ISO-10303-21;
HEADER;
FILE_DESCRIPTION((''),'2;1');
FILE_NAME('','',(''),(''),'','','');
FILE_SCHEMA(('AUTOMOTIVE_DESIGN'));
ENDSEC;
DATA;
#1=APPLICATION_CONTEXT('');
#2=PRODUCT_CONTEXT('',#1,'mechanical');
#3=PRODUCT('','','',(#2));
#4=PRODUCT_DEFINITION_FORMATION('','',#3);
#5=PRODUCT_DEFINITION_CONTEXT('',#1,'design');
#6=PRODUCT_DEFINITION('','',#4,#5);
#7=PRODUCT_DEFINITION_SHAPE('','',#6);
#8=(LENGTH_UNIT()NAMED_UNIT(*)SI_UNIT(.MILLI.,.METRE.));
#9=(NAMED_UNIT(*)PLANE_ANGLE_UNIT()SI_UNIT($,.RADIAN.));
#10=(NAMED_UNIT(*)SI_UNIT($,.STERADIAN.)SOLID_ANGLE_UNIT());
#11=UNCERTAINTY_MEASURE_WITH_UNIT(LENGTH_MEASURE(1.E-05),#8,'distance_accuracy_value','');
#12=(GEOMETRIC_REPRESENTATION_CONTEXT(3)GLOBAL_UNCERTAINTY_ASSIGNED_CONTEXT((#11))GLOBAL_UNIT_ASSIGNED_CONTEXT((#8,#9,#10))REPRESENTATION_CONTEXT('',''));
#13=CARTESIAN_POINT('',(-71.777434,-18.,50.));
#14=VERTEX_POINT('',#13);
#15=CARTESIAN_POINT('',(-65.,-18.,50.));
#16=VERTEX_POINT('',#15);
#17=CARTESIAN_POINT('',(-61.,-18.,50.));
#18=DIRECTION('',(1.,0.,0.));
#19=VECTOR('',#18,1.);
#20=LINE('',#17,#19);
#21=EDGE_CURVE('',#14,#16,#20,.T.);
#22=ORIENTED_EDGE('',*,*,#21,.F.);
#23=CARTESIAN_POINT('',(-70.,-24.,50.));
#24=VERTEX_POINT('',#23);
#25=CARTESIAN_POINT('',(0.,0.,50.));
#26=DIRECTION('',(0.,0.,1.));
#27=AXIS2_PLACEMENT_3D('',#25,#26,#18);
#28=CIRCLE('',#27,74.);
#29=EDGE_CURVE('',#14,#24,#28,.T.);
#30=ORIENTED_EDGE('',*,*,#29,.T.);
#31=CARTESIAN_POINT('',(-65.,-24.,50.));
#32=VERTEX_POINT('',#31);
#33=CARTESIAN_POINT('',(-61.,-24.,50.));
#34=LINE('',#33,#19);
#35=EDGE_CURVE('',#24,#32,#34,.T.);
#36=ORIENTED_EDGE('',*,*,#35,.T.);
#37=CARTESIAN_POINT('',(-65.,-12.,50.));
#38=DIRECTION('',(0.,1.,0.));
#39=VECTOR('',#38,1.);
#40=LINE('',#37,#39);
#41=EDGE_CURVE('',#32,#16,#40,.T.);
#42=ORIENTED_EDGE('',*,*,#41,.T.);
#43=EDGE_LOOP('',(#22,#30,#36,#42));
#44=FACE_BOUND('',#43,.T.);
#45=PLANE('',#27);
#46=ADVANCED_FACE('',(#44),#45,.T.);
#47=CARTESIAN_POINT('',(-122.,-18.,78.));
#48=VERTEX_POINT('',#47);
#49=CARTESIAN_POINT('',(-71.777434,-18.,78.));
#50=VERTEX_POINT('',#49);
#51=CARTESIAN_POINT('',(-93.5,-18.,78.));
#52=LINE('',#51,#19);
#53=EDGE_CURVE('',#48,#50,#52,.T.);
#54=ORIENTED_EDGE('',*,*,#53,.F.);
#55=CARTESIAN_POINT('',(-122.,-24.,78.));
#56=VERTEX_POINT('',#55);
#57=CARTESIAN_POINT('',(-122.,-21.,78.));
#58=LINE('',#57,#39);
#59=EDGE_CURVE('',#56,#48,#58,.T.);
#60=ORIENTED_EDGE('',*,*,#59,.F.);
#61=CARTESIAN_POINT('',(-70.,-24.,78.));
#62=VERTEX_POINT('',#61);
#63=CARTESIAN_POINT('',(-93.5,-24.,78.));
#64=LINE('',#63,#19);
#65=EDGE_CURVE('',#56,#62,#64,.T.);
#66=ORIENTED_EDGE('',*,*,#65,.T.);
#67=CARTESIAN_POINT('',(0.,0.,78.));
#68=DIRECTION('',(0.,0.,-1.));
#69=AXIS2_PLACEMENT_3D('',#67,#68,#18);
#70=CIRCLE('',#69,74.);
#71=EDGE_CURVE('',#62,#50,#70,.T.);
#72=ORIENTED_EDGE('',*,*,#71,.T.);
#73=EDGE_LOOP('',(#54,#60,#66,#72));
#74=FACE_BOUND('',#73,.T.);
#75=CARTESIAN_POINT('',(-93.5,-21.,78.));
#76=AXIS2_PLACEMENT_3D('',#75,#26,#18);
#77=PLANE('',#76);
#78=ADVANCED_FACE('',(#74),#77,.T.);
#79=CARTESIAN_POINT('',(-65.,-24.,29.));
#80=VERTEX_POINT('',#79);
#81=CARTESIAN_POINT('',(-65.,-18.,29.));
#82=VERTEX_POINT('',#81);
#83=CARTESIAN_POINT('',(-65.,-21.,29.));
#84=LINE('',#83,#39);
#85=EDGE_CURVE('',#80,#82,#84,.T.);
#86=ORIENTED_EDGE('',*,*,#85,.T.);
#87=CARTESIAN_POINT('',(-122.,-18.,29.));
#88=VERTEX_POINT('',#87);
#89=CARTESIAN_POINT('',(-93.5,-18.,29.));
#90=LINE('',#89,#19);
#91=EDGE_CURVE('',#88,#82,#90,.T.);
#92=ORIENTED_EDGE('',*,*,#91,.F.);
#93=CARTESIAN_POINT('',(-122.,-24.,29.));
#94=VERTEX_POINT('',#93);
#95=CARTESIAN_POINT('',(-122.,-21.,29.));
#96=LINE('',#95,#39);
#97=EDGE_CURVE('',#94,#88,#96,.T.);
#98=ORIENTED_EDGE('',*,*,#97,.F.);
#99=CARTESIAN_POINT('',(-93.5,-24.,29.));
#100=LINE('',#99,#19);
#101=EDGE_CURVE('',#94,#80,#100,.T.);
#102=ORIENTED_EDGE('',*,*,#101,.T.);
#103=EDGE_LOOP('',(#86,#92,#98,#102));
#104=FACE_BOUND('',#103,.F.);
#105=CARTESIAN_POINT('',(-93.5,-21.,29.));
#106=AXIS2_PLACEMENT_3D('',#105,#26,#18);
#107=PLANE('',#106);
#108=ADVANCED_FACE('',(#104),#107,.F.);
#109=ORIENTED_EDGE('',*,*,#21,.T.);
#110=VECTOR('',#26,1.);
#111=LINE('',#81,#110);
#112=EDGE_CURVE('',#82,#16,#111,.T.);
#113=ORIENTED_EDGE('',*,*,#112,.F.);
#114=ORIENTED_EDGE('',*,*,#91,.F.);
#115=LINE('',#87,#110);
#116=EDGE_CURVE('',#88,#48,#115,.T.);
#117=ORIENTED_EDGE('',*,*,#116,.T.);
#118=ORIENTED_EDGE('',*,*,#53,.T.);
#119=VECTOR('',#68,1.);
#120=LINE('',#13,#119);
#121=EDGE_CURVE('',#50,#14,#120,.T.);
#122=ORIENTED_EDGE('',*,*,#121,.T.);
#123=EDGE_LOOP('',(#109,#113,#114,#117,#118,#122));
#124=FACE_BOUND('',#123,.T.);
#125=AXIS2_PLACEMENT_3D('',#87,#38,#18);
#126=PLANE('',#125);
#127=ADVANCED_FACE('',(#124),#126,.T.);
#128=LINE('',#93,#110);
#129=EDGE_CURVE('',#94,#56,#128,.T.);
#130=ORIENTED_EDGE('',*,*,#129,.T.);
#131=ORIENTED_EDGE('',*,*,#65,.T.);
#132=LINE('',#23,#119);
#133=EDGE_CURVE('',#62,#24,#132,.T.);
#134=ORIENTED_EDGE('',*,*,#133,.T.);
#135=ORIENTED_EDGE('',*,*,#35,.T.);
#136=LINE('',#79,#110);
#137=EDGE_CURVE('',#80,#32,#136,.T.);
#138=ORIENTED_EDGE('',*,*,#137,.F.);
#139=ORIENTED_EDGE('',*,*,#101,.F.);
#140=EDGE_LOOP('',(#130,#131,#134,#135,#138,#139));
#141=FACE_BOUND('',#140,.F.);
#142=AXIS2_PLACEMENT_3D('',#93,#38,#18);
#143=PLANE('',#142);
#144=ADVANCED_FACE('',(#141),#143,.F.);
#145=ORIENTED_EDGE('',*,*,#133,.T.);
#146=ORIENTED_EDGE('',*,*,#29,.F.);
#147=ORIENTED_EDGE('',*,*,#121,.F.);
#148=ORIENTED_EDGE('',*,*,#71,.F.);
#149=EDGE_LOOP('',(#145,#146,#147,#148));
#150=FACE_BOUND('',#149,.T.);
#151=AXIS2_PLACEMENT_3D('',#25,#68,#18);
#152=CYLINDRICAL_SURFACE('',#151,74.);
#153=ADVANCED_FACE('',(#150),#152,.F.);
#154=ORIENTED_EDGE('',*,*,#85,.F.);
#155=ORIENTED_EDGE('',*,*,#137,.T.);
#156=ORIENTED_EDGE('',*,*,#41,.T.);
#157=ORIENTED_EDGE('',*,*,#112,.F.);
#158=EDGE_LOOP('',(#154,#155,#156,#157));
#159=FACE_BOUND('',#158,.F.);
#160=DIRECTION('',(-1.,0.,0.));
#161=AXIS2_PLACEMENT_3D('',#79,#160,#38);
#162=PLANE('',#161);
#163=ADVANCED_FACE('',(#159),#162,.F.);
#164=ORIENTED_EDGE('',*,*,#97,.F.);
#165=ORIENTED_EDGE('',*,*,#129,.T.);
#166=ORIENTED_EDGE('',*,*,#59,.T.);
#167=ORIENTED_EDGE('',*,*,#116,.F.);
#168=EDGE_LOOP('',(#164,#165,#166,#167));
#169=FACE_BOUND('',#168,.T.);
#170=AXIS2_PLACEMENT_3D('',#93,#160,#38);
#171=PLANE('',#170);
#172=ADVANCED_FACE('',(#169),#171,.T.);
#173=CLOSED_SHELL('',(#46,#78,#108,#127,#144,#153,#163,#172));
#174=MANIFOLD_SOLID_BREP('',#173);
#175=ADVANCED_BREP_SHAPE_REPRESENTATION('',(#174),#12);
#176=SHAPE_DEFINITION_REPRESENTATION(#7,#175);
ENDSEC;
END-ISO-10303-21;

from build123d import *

# Parameters (mm, degrees)
CYLINDER906_R     = 74
CYLINDER906_DEPTH = 32
BOX432_W          = 57
BOX432_H          = 6
BOX432_DEPTH      = 49


with BuildPart() as v_lec906:
    # Cylinder906 → Cylinder906 (new body)
    with BuildSketch(Plane.XY.offset(50)):
        Circle(CYLINDER906_R)
    extrude(amount=CYLINDER906_DEPTH)


with BuildPart() as cut406:
    # Box432 → Box432 (new body)
    with BuildSketch(Plane(origin=(-122, -24, 29), x_dir=(1, 0, 0), z_dir=(0, 0, 1))):
        with Locations((28.5, 3)):
            Rectangle(BOX432_W, BOX432_H)
    extrude(amount=BOX432_DEPTH)

    # Cut406: cut Válec906
    add(v_lec906.part, mode=Mode.SUBTRACT)


solid = cut406.part
